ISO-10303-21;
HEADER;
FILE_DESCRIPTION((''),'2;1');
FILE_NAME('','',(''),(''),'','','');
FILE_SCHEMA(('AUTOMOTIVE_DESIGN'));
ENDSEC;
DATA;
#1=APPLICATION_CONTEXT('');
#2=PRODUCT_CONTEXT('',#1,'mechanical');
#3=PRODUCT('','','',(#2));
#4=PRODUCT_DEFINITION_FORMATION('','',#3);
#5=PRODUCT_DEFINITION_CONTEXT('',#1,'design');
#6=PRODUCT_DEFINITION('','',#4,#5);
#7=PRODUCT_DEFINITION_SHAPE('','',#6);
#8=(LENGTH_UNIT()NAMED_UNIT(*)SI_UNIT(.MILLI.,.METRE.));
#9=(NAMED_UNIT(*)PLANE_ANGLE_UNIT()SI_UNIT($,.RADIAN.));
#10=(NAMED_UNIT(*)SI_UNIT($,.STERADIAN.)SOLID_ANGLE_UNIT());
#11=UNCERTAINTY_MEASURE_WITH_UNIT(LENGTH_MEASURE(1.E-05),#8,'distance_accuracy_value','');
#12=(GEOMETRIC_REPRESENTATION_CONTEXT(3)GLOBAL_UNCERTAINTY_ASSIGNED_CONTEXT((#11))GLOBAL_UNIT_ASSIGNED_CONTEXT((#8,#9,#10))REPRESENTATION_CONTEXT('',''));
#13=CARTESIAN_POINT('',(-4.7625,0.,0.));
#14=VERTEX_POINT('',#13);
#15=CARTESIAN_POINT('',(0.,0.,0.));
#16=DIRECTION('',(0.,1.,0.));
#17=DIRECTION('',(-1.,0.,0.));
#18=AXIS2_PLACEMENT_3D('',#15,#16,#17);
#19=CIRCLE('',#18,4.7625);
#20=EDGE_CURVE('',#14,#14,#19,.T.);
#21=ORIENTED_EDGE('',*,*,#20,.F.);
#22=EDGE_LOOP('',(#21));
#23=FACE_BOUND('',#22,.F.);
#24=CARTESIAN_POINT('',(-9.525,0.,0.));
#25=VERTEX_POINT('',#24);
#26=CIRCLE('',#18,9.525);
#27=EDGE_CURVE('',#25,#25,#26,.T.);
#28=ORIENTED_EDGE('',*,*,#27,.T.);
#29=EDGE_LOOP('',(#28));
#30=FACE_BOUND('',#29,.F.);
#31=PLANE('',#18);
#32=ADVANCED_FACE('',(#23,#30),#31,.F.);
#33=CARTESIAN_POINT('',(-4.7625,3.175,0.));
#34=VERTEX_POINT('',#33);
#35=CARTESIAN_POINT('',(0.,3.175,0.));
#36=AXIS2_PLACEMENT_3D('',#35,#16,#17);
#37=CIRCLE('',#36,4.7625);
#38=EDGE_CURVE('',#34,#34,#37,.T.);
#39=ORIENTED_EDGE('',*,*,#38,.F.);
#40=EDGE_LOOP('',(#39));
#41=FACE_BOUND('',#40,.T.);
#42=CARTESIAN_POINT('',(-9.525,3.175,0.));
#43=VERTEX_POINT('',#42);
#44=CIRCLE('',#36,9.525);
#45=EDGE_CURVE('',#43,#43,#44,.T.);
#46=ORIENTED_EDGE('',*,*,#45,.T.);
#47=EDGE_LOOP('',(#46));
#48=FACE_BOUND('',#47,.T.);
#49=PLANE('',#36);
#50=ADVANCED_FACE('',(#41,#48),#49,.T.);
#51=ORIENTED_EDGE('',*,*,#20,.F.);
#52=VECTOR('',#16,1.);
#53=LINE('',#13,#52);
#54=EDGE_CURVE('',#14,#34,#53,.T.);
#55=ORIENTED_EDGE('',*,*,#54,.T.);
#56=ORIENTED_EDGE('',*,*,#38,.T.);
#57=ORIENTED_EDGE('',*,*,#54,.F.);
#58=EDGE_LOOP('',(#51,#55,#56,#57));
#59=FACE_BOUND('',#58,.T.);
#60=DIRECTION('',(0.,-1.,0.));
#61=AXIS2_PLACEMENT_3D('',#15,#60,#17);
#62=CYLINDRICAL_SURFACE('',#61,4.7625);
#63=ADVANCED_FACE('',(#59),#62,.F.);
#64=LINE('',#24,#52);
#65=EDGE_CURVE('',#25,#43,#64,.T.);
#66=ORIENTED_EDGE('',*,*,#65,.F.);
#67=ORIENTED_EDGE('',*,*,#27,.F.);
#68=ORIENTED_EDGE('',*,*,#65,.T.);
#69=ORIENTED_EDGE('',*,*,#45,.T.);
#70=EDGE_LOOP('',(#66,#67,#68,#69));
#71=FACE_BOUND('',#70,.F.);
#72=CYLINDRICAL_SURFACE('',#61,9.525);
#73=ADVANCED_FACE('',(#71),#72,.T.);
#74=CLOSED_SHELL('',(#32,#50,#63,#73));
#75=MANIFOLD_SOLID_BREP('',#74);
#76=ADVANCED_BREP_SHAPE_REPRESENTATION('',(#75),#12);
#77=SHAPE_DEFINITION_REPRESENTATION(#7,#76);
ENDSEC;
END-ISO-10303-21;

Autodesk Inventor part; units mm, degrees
ref_plane "YZ Plane" through (0, 0, 0) normal (1, 0, 0) x (0, 1, 0)
ref_plane "XZ Plane" through (0, 0, 0) normal (0, 1, 0) x (-1, 0, 0)
ref_plane "XY Plane" through (0, 0, 0) normal (0, 0, 1) x (1, 0, 0)
sketch "Sketch1" plane through (0, 0, 0) normal (0, 1, 0) x (-1, 0, 0)
  circle A0 centre (0, 0) radius 4.7625
  circle A1 centre (0, 0) radius 9.525
  dimension "d0" = 9.525
  dimension "d1" = 19.05
extrude "Extrusion1" add sketch "Sketch1" along normal blind 3.175
properties part number "3_8washer" material "Steel, Mild"
